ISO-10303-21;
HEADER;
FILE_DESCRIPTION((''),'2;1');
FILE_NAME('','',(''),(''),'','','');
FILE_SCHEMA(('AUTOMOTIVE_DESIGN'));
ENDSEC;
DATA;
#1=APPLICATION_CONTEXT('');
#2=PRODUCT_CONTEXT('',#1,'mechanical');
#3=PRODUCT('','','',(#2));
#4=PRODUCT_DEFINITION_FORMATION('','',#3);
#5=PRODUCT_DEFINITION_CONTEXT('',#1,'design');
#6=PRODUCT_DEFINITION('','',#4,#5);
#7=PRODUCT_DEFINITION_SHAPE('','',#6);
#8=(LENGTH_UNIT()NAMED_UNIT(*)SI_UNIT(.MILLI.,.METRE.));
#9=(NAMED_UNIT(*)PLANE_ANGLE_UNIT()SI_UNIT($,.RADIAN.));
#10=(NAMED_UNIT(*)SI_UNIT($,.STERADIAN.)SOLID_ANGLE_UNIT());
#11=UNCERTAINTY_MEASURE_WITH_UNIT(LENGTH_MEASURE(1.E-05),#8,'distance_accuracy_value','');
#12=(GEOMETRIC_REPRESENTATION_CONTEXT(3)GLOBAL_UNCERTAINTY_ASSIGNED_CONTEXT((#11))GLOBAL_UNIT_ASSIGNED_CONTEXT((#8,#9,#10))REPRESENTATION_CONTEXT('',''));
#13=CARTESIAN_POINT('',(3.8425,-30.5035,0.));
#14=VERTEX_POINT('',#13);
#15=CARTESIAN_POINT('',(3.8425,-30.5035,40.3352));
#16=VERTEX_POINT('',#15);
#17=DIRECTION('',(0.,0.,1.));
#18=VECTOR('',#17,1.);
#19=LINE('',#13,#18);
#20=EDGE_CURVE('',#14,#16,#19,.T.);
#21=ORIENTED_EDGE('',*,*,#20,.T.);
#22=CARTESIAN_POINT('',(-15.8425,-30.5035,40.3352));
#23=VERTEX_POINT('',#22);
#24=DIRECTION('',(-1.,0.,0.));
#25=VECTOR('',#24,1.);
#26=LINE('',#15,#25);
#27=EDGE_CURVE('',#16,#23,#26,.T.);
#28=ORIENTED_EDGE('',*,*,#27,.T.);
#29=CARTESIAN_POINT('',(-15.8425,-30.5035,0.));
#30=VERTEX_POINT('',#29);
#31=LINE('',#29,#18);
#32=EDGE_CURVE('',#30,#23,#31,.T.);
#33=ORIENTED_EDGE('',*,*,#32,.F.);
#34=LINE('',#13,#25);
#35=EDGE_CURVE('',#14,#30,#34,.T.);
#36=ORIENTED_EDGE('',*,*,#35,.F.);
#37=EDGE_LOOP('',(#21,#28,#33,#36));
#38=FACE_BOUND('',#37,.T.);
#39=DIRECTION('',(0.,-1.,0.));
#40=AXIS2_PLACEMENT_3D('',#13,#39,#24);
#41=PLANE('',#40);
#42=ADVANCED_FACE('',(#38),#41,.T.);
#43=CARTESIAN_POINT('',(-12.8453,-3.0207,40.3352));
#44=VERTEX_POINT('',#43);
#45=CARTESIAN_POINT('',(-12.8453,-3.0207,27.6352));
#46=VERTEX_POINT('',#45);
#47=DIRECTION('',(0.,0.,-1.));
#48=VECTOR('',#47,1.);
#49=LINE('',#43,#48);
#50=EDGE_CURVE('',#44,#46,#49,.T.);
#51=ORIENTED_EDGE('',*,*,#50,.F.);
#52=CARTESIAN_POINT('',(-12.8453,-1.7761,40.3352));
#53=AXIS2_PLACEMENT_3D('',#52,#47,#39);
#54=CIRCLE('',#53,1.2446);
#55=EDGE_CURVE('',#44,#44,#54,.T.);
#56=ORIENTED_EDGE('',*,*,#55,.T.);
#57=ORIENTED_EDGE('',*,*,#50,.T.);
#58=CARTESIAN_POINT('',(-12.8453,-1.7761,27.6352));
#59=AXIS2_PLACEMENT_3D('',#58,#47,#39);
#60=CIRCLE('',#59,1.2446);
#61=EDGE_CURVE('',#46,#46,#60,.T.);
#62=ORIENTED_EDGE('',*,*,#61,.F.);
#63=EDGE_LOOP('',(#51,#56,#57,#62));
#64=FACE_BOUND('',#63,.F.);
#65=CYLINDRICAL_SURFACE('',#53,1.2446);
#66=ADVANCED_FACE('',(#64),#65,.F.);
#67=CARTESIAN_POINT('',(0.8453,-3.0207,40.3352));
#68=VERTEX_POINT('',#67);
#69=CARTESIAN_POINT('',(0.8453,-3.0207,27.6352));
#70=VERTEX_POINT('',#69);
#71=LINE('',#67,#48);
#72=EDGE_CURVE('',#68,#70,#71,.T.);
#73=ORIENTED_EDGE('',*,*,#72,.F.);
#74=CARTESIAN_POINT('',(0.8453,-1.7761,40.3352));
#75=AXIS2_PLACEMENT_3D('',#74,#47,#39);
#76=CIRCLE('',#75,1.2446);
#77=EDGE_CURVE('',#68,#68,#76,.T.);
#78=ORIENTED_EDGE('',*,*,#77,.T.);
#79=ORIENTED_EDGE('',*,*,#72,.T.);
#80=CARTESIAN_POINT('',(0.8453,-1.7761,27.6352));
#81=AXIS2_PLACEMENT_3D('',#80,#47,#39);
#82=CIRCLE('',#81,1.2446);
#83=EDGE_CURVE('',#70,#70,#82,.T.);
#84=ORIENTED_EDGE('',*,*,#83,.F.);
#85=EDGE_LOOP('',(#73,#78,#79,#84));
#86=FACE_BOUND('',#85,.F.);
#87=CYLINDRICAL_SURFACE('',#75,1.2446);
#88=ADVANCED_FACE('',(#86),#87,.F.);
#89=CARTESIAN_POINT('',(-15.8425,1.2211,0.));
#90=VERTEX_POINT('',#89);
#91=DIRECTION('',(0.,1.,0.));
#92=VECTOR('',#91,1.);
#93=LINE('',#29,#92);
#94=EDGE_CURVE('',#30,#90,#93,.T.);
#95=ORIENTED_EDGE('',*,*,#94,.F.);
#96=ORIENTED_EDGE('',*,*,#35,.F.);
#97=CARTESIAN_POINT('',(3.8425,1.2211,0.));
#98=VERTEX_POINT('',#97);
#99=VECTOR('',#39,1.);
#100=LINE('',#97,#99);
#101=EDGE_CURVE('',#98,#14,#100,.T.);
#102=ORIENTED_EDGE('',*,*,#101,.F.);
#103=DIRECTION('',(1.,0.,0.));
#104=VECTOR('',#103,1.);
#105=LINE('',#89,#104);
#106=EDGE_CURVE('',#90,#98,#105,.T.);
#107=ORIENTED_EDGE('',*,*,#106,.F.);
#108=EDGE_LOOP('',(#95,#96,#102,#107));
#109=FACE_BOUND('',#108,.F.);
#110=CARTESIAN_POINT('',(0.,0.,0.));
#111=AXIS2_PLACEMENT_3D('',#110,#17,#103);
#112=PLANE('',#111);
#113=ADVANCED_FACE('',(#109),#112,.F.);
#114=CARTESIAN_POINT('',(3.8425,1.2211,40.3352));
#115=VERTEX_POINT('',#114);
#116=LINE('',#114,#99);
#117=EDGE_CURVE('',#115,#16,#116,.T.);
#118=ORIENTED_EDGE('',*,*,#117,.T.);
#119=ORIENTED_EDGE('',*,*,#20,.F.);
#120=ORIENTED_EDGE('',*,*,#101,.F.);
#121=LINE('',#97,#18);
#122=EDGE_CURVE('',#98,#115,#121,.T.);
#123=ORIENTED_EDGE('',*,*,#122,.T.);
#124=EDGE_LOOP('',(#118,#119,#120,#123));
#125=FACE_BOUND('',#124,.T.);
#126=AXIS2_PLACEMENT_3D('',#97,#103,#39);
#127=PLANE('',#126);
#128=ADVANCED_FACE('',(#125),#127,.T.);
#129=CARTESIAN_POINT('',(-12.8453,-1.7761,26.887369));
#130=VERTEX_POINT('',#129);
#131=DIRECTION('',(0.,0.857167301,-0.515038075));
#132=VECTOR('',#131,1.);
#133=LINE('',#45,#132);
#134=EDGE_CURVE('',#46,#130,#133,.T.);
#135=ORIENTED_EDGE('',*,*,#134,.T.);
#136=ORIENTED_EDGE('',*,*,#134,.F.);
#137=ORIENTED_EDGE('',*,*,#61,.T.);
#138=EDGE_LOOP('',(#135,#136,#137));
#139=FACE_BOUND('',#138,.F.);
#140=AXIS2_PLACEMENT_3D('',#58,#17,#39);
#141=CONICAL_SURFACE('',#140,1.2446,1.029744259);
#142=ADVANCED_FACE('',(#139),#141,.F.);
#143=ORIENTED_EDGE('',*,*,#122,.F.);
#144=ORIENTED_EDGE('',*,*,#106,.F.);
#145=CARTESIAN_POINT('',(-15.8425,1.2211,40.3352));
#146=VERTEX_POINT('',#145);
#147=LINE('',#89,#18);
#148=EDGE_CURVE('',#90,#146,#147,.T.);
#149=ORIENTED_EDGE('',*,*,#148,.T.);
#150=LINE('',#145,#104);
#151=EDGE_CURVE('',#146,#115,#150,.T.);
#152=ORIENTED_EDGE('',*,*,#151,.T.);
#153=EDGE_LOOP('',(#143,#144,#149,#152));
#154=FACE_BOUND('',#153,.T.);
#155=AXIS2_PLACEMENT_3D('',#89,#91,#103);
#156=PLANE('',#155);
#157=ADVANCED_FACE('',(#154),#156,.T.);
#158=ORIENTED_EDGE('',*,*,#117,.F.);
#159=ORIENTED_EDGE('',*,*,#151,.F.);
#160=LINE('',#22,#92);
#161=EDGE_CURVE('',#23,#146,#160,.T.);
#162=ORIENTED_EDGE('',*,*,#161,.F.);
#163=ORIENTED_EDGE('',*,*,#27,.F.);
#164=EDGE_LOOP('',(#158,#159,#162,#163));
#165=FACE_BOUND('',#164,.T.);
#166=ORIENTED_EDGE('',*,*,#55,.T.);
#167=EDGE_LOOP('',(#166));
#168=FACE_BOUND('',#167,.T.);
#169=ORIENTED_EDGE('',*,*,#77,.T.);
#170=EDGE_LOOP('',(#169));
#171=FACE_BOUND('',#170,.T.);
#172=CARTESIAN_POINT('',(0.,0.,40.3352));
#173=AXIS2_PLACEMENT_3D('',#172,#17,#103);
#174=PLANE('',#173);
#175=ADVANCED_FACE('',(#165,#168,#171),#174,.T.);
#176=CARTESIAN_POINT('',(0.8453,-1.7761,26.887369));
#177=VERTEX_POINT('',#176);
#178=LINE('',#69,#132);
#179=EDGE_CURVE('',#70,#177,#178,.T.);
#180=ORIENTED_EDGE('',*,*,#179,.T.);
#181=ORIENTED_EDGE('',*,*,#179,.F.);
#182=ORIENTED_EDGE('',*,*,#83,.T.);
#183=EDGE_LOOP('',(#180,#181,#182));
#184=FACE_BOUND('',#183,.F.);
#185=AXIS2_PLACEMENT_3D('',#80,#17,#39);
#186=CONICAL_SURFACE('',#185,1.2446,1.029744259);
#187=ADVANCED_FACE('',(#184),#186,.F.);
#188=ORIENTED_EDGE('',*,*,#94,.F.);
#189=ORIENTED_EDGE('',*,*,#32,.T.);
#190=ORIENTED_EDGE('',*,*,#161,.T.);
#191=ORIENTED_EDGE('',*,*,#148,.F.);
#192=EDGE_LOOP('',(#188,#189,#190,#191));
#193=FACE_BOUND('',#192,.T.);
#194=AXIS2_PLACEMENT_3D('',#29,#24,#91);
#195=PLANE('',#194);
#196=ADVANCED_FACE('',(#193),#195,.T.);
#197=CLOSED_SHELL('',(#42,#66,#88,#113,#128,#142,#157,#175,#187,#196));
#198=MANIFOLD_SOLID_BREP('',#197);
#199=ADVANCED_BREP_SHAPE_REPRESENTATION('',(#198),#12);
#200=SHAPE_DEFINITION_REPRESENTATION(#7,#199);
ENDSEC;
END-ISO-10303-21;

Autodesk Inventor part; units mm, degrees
ref_plane "YZ Plane" through (0, 0, 0) normal (1, 0, 0) x (0, 1, 0)
ref_plane "XZ Plane" through (0, 0, 0) normal (0, 1, 0) x (-1, 0, 0)
ref_plane "XY Plane" through (0, 0, 0) normal (0, 0, 1) x (1, 0, 0)
sketch "Sketch1" plane through (0, 0, 0) normal (0, 0, 1) x (1, 0, 0)
  line L0 (-15.8425, 1.2211) -> (3.8425, 1.2211)
  line L1 (3.8425, 1.2211) -> (3.8425, -30.5035)
  line L2 (3.8425, -30.5035) -> (-15.8425, -30.5035)
  line L3 (-15.8425, -30.5035) -> (-15.8425, 1.2211)
  point P0 (0, 0)
  dimension "d0" = 19.685
  dimension "d1" = 31.7246
extrude "Extrusion1" add sketch "Sketch1" along normal blind 40.3352
sketch "Sketch3" plane through (0, 0, 40.3352) normal (0, 0, 1) x (1, 0, 0)
  line L0 (-15.8425, 1.2211) -> (3.8425, 1.2211) projected
  line L1 (-15.8425, 1.2211) -> (-12.8453, 1.2211)
  line L2 (-12.8453, 1.2211) -> (-12.8453, -1.7761)
  line L3 (3.8425, 1.2211) -> (0.8453, 1.2211)
  line L4 (0.8453, 1.2211) -> (0.8453, -1.7761)
  point P0 (0, 0)
  dimension "d4" = 2.9972
  dimension "d5" = 2.9972
  dimension "d6" = 2.9972
hole "Hole1" at (-12.8453, -1.7761, 40.3352) at (0.8453, -1.7761, 40.3352) direction (0, 0, -1) diameter 2.4892 depth 12.7 tip angle 118
properties part number "Y axis home sensor block"
